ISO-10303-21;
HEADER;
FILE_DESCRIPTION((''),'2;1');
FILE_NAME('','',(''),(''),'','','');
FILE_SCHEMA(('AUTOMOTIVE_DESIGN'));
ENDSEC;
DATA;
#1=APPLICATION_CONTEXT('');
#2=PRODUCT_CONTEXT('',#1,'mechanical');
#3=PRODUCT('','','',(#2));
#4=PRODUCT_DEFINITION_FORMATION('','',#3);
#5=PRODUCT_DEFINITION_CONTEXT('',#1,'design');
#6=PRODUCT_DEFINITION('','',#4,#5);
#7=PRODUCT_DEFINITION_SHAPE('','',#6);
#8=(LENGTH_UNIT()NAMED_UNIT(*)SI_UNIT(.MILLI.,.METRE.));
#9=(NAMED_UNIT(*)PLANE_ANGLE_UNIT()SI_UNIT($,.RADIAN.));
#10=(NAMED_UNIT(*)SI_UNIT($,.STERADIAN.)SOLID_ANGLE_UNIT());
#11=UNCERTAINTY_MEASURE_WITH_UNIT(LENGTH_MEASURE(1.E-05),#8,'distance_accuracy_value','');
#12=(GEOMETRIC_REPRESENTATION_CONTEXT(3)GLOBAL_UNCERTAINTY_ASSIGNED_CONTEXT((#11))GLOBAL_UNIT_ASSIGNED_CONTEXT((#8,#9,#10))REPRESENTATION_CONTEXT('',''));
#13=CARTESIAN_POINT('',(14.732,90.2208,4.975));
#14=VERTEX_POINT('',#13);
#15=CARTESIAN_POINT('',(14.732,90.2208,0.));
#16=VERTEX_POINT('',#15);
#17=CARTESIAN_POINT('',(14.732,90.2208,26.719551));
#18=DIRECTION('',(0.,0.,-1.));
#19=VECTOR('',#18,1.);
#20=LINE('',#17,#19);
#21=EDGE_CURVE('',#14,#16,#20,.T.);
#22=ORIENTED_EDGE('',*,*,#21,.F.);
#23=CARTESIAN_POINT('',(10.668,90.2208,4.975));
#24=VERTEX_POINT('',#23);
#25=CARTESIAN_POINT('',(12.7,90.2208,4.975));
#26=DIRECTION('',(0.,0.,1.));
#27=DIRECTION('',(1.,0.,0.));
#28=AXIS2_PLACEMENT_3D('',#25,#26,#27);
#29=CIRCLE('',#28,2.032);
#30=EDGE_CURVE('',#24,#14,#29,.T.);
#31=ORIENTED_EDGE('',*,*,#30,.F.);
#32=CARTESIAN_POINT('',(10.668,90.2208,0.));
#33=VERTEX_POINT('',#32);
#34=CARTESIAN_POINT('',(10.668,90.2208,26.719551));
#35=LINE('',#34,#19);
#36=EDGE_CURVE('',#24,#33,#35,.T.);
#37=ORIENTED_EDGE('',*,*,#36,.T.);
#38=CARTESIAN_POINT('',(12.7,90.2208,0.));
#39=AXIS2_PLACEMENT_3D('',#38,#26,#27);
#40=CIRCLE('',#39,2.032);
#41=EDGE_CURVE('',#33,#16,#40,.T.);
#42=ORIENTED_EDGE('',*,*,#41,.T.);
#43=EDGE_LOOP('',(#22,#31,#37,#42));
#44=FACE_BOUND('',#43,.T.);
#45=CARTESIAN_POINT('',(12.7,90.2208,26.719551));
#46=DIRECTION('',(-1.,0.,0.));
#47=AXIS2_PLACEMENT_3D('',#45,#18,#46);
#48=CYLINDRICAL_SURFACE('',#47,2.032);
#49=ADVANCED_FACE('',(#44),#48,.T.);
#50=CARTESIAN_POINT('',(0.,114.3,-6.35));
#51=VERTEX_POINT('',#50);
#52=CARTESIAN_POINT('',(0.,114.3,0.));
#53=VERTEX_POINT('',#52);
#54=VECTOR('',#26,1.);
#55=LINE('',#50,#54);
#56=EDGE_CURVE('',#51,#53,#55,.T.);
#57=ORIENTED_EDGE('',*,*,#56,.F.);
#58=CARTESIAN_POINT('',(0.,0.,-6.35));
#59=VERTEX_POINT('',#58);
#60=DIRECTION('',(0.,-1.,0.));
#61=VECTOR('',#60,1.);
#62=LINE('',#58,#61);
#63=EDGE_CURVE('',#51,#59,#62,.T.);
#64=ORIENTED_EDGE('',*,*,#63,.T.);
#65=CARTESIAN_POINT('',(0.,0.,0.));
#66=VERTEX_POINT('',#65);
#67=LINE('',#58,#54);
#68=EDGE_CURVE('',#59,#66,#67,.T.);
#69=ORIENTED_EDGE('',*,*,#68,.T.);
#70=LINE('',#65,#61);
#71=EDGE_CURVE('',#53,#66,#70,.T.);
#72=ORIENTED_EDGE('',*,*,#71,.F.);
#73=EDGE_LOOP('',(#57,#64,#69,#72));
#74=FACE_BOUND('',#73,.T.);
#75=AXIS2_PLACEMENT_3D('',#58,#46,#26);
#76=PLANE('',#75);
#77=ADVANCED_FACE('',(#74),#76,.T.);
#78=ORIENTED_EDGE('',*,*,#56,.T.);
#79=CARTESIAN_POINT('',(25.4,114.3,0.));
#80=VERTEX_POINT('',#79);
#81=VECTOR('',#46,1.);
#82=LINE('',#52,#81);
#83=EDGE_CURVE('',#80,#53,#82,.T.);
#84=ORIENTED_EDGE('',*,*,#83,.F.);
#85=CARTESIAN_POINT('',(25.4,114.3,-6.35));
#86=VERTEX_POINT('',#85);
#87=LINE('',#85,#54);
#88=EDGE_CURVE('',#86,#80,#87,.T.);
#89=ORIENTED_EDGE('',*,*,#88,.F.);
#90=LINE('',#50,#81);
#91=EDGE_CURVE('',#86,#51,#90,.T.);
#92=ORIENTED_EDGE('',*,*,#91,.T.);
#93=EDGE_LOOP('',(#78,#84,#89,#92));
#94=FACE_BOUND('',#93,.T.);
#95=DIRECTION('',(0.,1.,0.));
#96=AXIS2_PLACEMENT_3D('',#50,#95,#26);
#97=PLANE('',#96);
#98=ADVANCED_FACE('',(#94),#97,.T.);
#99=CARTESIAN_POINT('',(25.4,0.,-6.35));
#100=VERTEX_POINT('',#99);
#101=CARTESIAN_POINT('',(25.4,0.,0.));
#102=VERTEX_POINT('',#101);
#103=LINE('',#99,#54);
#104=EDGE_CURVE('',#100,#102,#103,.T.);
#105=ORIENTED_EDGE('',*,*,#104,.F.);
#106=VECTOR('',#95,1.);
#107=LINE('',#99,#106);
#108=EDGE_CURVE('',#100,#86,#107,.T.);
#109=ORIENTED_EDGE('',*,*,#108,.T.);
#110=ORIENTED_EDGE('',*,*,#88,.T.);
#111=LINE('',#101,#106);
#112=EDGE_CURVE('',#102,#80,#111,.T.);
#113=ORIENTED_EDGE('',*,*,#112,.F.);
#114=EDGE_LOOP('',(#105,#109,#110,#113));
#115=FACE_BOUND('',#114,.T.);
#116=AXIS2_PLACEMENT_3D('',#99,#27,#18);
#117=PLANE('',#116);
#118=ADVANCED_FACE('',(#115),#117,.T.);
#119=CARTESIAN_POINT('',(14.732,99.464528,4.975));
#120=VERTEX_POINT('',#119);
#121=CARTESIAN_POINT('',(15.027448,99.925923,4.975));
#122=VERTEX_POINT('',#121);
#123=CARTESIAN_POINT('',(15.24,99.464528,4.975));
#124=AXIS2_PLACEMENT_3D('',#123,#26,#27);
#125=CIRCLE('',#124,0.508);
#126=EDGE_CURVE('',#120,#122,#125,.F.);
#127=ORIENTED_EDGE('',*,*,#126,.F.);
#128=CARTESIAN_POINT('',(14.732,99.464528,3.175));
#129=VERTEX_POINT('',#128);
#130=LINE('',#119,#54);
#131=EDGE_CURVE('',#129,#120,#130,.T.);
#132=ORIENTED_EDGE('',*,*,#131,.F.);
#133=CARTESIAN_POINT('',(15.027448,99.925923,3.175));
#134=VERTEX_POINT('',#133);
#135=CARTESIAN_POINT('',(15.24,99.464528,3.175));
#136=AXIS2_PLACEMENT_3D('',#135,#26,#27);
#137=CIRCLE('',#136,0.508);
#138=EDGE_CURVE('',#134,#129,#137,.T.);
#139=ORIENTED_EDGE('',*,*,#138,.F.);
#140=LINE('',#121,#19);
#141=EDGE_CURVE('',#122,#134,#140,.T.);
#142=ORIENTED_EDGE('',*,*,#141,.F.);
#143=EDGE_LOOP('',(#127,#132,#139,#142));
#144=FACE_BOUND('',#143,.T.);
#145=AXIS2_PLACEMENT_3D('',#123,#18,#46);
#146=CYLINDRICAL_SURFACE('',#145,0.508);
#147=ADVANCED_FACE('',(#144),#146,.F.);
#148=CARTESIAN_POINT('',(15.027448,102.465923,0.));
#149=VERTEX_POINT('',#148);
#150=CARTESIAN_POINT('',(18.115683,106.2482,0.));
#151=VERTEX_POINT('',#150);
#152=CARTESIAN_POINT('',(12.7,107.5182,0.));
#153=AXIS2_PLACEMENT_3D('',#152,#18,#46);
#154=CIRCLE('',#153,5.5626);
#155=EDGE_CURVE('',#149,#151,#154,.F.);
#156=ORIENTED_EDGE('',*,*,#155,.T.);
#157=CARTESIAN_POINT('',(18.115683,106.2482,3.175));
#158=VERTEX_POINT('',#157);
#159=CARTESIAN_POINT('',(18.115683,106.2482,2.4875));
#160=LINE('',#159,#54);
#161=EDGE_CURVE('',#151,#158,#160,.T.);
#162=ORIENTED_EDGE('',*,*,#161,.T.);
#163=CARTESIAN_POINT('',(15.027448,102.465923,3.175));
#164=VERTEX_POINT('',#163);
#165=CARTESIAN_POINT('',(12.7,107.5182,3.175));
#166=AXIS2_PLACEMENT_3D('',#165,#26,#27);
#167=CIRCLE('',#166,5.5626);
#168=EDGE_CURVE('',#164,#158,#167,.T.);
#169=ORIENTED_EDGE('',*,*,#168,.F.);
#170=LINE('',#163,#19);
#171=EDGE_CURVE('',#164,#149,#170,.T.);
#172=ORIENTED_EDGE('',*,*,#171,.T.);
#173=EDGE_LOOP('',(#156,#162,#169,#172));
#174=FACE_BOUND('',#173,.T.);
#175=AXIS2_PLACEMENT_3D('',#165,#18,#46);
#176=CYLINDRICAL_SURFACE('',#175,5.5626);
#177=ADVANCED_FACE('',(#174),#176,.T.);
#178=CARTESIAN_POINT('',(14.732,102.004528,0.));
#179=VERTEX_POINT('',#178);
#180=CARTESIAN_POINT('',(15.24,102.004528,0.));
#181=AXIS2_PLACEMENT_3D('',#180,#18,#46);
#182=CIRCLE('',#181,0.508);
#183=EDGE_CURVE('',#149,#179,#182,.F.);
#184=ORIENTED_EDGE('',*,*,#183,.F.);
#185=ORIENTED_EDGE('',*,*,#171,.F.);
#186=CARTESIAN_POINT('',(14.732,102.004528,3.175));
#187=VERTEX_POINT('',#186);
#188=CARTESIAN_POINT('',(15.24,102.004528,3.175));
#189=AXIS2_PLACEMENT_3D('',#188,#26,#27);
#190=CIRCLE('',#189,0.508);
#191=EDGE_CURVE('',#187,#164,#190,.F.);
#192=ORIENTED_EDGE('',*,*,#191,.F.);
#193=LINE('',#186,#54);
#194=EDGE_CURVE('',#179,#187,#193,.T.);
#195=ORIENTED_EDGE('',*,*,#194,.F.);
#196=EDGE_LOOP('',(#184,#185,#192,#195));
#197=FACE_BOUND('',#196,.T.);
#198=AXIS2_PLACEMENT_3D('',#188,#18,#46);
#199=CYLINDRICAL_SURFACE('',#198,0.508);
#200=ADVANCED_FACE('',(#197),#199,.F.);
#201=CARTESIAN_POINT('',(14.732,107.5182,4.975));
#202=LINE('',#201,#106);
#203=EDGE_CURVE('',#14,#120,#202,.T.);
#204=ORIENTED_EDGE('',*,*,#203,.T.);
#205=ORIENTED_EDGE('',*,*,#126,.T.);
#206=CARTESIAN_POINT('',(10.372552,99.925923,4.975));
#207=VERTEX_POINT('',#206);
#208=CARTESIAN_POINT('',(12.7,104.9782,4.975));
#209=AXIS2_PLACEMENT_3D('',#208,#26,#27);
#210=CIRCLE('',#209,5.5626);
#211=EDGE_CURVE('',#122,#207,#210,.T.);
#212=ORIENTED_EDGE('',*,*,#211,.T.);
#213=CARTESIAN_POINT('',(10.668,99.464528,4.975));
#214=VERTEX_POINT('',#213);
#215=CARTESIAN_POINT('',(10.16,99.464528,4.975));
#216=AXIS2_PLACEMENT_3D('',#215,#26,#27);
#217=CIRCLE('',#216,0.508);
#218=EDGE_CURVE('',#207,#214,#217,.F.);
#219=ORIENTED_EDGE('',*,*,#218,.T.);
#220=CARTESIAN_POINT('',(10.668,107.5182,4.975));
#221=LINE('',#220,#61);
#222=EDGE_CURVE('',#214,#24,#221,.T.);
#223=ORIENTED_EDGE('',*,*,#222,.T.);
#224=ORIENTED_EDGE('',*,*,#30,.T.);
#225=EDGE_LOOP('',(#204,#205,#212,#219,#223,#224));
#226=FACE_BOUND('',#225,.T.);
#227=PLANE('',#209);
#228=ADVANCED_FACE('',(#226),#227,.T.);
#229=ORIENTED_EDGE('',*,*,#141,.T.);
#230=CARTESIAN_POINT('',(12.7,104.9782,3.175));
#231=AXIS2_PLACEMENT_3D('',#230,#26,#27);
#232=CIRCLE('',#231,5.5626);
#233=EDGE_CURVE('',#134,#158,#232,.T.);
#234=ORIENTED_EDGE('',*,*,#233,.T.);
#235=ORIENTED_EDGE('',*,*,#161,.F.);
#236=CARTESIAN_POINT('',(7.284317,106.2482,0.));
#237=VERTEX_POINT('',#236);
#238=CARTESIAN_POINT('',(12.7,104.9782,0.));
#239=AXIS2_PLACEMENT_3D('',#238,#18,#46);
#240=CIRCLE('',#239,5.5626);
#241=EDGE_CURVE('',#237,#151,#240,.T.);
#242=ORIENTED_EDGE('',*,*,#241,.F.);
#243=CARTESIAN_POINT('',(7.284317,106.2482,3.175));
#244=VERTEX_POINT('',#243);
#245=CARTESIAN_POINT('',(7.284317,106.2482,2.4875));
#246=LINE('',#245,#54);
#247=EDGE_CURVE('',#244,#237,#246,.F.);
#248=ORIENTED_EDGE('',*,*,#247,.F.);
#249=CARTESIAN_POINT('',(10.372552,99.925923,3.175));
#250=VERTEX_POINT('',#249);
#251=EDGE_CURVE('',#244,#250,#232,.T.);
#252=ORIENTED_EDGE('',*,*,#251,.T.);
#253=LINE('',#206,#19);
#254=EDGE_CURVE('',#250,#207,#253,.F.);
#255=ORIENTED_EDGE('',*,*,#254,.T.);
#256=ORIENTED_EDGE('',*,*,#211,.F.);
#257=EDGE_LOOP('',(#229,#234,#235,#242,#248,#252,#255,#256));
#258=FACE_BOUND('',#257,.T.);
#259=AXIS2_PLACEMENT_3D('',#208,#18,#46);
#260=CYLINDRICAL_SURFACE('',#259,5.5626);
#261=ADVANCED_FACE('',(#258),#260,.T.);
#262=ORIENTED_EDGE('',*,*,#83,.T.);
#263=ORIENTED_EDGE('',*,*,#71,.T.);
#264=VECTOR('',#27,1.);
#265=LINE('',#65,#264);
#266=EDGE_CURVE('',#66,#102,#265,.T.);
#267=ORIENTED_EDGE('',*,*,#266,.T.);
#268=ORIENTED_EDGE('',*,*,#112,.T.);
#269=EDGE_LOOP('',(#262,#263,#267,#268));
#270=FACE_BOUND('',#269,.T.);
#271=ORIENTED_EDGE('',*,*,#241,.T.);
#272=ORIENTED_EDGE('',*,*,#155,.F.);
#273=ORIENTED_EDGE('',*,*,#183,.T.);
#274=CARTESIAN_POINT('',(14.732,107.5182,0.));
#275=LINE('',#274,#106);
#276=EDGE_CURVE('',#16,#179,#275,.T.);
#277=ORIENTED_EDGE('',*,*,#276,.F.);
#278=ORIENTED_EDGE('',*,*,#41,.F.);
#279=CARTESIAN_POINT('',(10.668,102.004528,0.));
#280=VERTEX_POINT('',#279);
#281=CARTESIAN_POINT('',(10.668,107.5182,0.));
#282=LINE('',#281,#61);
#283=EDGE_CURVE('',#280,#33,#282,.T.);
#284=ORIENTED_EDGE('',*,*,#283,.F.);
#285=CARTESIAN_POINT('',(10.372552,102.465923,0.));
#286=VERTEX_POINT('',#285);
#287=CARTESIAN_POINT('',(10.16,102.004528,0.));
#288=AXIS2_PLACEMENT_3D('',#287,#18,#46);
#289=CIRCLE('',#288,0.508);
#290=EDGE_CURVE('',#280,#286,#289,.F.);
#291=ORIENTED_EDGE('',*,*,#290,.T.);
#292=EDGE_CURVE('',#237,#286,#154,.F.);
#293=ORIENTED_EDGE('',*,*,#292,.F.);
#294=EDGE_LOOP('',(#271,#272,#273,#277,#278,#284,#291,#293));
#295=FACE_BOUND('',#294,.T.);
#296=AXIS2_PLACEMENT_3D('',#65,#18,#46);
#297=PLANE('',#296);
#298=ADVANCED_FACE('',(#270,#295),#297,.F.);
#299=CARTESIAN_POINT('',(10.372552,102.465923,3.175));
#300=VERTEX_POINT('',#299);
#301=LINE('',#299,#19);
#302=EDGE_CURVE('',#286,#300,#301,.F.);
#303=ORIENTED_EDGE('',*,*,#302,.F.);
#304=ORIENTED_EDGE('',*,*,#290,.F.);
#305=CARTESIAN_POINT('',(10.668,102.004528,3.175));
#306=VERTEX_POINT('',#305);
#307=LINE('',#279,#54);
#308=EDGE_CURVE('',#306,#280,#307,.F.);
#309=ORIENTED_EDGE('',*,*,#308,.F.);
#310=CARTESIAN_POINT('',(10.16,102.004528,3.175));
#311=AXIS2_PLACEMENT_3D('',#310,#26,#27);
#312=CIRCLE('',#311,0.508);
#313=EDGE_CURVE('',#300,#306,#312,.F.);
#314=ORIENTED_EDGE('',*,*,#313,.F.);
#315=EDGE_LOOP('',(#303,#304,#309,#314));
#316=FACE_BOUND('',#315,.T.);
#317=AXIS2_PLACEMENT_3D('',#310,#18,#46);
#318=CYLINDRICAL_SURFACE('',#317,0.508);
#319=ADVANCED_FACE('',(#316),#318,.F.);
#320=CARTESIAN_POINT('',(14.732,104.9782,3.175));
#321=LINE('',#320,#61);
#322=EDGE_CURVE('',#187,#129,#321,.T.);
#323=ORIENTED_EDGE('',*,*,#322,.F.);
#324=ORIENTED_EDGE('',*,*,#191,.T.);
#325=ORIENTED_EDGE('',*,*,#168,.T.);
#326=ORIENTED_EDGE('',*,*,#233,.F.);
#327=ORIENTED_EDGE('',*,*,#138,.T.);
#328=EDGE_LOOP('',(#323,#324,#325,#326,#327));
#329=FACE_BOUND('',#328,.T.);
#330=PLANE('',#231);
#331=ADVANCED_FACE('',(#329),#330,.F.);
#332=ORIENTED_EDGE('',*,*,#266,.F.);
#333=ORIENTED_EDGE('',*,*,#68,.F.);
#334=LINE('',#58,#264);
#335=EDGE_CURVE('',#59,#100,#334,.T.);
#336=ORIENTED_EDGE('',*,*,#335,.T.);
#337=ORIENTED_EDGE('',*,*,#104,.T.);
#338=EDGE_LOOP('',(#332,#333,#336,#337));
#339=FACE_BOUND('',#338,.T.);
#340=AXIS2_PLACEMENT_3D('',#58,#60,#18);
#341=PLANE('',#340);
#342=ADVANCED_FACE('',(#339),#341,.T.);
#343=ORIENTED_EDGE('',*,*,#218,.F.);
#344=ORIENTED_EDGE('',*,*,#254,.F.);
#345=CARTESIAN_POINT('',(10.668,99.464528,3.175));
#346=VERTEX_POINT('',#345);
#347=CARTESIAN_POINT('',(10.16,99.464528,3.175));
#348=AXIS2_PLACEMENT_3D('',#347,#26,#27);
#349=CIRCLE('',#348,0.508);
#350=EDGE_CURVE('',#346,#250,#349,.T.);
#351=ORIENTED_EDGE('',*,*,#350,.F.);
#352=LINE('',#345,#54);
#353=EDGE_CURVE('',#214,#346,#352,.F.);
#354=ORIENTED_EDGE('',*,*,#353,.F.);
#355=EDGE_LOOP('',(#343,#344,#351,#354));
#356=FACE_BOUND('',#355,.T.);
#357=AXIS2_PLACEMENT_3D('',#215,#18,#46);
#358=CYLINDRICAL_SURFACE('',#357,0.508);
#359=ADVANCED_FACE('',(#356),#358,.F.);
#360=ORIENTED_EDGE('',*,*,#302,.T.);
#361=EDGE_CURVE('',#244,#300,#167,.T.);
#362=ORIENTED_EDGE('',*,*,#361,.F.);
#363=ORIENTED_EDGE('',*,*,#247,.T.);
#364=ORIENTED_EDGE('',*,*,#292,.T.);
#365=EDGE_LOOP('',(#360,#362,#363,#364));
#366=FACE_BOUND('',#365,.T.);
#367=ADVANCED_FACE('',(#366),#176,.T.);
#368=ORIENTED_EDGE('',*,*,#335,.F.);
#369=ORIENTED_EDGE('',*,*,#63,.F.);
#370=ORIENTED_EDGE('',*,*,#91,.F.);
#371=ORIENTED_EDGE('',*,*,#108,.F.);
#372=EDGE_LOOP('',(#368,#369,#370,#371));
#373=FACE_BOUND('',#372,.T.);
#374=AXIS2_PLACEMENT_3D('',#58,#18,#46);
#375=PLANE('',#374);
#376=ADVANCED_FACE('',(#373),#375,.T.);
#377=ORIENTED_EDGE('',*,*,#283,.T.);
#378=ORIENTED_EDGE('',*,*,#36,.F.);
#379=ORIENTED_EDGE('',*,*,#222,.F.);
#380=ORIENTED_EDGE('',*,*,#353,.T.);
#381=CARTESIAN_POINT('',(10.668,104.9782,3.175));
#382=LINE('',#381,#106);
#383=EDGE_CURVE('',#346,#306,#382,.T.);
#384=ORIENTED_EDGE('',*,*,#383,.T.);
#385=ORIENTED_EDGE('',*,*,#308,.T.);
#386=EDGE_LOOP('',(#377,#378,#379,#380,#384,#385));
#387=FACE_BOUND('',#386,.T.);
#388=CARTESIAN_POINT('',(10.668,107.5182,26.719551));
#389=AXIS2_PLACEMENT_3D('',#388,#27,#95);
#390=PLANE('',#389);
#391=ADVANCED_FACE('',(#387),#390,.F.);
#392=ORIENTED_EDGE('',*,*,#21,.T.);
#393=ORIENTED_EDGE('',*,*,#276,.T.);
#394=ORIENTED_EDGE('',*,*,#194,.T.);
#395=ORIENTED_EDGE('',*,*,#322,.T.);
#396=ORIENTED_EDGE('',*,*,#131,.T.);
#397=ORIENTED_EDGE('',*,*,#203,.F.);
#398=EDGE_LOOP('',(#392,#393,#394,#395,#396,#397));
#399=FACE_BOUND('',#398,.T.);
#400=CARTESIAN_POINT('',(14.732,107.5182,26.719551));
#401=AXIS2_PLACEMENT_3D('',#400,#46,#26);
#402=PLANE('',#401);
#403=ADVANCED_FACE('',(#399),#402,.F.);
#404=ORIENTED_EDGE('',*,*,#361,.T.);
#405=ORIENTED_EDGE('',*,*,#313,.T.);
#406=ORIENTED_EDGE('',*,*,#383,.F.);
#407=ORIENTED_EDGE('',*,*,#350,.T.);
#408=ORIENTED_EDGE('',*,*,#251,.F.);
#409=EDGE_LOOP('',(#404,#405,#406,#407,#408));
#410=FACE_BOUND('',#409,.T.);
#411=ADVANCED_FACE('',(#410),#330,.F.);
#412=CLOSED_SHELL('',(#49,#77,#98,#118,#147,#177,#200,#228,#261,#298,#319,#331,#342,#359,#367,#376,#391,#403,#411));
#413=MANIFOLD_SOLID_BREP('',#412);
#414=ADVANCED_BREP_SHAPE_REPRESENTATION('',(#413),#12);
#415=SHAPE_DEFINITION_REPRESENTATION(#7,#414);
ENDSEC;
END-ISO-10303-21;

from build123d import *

# Parameters (mm, degrees)
SKETCH1_W           = 25.4
SKETCH1_H           = 114.3
BOSS_EXTRUDE1_DEPTH = 6.35
SKETCH2_R           = 5.5626
BOSS_EXTRUDE2_DEPTH = 3.175
SKETCH3_R           = 5.5626
BOSS_EXTRUDE3_DEPTH = 1.799999956
BOSS_EXTRUDE4_REACH = 119.26
CUT_EXTRUDE1_START  = -4.974999956
CUT_EXTRUDE1_DEPTH  = 4.974999956
FILLET1_R           = 0.508


with BuildPart() as part:
    # Sketch1 → Boss-Extrude1 (new body)
    with BuildSketch(Plane.XY):
        with Locations((12.7, 57.15)):
            Rectangle(SKETCH1_W, SKETCH1_H)
    extrude(amount=-BOSS_EXTRUDE1_DEPTH)

    # Sketch2 → Boss-Extrude2 (add)
    with BuildSketch(Plane.XY):
        with Locations(Location((12.7, 107.5182, 0), (0, 0, 180))):
            Circle(SKETCH2_R)
    extrude(amount=BOSS_EXTRUDE2_DEPTH)

    # Sketch3 → Boss-Extrude3 (add)
    with BuildSketch(Plane.XY.offset(3.175)):
        with Locations(Location((12.7, 104.9782, 0), (0, 0, 166.802375663))):
            Circle(SKETCH3_R)
    extrude(amount=BOSS_EXTRUDE3_DEPTH)

    # Boss-Extrude4: up to this face of the body (flat: up to its plane)
    boss_extrude4_end = Plane(part.part.faces().sort_by_distance((12.7, 104.9782, 4.974999956))[0])
    # Sketch4 → Boss-Extrude4 (add, up to the picked face)
    with BuildSketch(Plane.XY, mode=Mode.PRIVATE) as boss_extrude4_sk1:
        with BuildLine():
            Line((14.732, 107.5182), (14.732, 90.2208))
            ThreePointArc((14.732, 90.2208), (12.7, 88.1888), (10.668, 90.2208))
            Line((10.668, 90.2208), (10.668, 107.5182))
            ThreePointArc((10.668, 107.5182), (12.7, 109.5502), (14.732, 107.5182))
        make_face()
    boss_extrude4_tool1 = split(extrude(boss_extrude4_sk1.sketch, amount=BOSS_EXTRUDE4_REACH, mode=Mode.PRIVATE), bisect_by=boss_extrude4_end, keep=Keep.BOTH, mode=Mode.PRIVATE)
    add(boss_extrude4_tool1.solids().sort_by(Axis((12.7, 98.8695, 0), (0, 0, 1)))[0])

    # Sketch5 → Cut-Extrude1 (cut)
    with BuildSketch(Plane.XY.offset(4.974999956).offset(CUT_EXTRUDE1_START)):
        with BuildLine():
            Line((7.1374, 114.3), (7.1374, 104.9782))
            ThreePointArc((7.1374, 104.9782), (12.7, 110.5408), (18.2626, 104.9782))
            Line((18.2626, 104.9782), (18.2626, 114.3))
            Line((18.2626, 114.3), (7.1374, 114.3))
        make_face()
    extrude(amount=CUT_EXTRUDE1_DEPTH, mode=Mode.SUBTRACT)

    # Fillet1
    fillet1_edges = [part.edges().sort_by_distance(p)[0] for p in [
        (10.668, 102.340025152, 1.5875),
        (10.668, 99.800025152, 4.074999978),
        (14.732, 102.340025152, 1.5875),
        (14.732, 99.800025152, 4.074999978),
    ]]
    fillet(fillet1_edges, radius=FILLET1_R)


solid = part.part
